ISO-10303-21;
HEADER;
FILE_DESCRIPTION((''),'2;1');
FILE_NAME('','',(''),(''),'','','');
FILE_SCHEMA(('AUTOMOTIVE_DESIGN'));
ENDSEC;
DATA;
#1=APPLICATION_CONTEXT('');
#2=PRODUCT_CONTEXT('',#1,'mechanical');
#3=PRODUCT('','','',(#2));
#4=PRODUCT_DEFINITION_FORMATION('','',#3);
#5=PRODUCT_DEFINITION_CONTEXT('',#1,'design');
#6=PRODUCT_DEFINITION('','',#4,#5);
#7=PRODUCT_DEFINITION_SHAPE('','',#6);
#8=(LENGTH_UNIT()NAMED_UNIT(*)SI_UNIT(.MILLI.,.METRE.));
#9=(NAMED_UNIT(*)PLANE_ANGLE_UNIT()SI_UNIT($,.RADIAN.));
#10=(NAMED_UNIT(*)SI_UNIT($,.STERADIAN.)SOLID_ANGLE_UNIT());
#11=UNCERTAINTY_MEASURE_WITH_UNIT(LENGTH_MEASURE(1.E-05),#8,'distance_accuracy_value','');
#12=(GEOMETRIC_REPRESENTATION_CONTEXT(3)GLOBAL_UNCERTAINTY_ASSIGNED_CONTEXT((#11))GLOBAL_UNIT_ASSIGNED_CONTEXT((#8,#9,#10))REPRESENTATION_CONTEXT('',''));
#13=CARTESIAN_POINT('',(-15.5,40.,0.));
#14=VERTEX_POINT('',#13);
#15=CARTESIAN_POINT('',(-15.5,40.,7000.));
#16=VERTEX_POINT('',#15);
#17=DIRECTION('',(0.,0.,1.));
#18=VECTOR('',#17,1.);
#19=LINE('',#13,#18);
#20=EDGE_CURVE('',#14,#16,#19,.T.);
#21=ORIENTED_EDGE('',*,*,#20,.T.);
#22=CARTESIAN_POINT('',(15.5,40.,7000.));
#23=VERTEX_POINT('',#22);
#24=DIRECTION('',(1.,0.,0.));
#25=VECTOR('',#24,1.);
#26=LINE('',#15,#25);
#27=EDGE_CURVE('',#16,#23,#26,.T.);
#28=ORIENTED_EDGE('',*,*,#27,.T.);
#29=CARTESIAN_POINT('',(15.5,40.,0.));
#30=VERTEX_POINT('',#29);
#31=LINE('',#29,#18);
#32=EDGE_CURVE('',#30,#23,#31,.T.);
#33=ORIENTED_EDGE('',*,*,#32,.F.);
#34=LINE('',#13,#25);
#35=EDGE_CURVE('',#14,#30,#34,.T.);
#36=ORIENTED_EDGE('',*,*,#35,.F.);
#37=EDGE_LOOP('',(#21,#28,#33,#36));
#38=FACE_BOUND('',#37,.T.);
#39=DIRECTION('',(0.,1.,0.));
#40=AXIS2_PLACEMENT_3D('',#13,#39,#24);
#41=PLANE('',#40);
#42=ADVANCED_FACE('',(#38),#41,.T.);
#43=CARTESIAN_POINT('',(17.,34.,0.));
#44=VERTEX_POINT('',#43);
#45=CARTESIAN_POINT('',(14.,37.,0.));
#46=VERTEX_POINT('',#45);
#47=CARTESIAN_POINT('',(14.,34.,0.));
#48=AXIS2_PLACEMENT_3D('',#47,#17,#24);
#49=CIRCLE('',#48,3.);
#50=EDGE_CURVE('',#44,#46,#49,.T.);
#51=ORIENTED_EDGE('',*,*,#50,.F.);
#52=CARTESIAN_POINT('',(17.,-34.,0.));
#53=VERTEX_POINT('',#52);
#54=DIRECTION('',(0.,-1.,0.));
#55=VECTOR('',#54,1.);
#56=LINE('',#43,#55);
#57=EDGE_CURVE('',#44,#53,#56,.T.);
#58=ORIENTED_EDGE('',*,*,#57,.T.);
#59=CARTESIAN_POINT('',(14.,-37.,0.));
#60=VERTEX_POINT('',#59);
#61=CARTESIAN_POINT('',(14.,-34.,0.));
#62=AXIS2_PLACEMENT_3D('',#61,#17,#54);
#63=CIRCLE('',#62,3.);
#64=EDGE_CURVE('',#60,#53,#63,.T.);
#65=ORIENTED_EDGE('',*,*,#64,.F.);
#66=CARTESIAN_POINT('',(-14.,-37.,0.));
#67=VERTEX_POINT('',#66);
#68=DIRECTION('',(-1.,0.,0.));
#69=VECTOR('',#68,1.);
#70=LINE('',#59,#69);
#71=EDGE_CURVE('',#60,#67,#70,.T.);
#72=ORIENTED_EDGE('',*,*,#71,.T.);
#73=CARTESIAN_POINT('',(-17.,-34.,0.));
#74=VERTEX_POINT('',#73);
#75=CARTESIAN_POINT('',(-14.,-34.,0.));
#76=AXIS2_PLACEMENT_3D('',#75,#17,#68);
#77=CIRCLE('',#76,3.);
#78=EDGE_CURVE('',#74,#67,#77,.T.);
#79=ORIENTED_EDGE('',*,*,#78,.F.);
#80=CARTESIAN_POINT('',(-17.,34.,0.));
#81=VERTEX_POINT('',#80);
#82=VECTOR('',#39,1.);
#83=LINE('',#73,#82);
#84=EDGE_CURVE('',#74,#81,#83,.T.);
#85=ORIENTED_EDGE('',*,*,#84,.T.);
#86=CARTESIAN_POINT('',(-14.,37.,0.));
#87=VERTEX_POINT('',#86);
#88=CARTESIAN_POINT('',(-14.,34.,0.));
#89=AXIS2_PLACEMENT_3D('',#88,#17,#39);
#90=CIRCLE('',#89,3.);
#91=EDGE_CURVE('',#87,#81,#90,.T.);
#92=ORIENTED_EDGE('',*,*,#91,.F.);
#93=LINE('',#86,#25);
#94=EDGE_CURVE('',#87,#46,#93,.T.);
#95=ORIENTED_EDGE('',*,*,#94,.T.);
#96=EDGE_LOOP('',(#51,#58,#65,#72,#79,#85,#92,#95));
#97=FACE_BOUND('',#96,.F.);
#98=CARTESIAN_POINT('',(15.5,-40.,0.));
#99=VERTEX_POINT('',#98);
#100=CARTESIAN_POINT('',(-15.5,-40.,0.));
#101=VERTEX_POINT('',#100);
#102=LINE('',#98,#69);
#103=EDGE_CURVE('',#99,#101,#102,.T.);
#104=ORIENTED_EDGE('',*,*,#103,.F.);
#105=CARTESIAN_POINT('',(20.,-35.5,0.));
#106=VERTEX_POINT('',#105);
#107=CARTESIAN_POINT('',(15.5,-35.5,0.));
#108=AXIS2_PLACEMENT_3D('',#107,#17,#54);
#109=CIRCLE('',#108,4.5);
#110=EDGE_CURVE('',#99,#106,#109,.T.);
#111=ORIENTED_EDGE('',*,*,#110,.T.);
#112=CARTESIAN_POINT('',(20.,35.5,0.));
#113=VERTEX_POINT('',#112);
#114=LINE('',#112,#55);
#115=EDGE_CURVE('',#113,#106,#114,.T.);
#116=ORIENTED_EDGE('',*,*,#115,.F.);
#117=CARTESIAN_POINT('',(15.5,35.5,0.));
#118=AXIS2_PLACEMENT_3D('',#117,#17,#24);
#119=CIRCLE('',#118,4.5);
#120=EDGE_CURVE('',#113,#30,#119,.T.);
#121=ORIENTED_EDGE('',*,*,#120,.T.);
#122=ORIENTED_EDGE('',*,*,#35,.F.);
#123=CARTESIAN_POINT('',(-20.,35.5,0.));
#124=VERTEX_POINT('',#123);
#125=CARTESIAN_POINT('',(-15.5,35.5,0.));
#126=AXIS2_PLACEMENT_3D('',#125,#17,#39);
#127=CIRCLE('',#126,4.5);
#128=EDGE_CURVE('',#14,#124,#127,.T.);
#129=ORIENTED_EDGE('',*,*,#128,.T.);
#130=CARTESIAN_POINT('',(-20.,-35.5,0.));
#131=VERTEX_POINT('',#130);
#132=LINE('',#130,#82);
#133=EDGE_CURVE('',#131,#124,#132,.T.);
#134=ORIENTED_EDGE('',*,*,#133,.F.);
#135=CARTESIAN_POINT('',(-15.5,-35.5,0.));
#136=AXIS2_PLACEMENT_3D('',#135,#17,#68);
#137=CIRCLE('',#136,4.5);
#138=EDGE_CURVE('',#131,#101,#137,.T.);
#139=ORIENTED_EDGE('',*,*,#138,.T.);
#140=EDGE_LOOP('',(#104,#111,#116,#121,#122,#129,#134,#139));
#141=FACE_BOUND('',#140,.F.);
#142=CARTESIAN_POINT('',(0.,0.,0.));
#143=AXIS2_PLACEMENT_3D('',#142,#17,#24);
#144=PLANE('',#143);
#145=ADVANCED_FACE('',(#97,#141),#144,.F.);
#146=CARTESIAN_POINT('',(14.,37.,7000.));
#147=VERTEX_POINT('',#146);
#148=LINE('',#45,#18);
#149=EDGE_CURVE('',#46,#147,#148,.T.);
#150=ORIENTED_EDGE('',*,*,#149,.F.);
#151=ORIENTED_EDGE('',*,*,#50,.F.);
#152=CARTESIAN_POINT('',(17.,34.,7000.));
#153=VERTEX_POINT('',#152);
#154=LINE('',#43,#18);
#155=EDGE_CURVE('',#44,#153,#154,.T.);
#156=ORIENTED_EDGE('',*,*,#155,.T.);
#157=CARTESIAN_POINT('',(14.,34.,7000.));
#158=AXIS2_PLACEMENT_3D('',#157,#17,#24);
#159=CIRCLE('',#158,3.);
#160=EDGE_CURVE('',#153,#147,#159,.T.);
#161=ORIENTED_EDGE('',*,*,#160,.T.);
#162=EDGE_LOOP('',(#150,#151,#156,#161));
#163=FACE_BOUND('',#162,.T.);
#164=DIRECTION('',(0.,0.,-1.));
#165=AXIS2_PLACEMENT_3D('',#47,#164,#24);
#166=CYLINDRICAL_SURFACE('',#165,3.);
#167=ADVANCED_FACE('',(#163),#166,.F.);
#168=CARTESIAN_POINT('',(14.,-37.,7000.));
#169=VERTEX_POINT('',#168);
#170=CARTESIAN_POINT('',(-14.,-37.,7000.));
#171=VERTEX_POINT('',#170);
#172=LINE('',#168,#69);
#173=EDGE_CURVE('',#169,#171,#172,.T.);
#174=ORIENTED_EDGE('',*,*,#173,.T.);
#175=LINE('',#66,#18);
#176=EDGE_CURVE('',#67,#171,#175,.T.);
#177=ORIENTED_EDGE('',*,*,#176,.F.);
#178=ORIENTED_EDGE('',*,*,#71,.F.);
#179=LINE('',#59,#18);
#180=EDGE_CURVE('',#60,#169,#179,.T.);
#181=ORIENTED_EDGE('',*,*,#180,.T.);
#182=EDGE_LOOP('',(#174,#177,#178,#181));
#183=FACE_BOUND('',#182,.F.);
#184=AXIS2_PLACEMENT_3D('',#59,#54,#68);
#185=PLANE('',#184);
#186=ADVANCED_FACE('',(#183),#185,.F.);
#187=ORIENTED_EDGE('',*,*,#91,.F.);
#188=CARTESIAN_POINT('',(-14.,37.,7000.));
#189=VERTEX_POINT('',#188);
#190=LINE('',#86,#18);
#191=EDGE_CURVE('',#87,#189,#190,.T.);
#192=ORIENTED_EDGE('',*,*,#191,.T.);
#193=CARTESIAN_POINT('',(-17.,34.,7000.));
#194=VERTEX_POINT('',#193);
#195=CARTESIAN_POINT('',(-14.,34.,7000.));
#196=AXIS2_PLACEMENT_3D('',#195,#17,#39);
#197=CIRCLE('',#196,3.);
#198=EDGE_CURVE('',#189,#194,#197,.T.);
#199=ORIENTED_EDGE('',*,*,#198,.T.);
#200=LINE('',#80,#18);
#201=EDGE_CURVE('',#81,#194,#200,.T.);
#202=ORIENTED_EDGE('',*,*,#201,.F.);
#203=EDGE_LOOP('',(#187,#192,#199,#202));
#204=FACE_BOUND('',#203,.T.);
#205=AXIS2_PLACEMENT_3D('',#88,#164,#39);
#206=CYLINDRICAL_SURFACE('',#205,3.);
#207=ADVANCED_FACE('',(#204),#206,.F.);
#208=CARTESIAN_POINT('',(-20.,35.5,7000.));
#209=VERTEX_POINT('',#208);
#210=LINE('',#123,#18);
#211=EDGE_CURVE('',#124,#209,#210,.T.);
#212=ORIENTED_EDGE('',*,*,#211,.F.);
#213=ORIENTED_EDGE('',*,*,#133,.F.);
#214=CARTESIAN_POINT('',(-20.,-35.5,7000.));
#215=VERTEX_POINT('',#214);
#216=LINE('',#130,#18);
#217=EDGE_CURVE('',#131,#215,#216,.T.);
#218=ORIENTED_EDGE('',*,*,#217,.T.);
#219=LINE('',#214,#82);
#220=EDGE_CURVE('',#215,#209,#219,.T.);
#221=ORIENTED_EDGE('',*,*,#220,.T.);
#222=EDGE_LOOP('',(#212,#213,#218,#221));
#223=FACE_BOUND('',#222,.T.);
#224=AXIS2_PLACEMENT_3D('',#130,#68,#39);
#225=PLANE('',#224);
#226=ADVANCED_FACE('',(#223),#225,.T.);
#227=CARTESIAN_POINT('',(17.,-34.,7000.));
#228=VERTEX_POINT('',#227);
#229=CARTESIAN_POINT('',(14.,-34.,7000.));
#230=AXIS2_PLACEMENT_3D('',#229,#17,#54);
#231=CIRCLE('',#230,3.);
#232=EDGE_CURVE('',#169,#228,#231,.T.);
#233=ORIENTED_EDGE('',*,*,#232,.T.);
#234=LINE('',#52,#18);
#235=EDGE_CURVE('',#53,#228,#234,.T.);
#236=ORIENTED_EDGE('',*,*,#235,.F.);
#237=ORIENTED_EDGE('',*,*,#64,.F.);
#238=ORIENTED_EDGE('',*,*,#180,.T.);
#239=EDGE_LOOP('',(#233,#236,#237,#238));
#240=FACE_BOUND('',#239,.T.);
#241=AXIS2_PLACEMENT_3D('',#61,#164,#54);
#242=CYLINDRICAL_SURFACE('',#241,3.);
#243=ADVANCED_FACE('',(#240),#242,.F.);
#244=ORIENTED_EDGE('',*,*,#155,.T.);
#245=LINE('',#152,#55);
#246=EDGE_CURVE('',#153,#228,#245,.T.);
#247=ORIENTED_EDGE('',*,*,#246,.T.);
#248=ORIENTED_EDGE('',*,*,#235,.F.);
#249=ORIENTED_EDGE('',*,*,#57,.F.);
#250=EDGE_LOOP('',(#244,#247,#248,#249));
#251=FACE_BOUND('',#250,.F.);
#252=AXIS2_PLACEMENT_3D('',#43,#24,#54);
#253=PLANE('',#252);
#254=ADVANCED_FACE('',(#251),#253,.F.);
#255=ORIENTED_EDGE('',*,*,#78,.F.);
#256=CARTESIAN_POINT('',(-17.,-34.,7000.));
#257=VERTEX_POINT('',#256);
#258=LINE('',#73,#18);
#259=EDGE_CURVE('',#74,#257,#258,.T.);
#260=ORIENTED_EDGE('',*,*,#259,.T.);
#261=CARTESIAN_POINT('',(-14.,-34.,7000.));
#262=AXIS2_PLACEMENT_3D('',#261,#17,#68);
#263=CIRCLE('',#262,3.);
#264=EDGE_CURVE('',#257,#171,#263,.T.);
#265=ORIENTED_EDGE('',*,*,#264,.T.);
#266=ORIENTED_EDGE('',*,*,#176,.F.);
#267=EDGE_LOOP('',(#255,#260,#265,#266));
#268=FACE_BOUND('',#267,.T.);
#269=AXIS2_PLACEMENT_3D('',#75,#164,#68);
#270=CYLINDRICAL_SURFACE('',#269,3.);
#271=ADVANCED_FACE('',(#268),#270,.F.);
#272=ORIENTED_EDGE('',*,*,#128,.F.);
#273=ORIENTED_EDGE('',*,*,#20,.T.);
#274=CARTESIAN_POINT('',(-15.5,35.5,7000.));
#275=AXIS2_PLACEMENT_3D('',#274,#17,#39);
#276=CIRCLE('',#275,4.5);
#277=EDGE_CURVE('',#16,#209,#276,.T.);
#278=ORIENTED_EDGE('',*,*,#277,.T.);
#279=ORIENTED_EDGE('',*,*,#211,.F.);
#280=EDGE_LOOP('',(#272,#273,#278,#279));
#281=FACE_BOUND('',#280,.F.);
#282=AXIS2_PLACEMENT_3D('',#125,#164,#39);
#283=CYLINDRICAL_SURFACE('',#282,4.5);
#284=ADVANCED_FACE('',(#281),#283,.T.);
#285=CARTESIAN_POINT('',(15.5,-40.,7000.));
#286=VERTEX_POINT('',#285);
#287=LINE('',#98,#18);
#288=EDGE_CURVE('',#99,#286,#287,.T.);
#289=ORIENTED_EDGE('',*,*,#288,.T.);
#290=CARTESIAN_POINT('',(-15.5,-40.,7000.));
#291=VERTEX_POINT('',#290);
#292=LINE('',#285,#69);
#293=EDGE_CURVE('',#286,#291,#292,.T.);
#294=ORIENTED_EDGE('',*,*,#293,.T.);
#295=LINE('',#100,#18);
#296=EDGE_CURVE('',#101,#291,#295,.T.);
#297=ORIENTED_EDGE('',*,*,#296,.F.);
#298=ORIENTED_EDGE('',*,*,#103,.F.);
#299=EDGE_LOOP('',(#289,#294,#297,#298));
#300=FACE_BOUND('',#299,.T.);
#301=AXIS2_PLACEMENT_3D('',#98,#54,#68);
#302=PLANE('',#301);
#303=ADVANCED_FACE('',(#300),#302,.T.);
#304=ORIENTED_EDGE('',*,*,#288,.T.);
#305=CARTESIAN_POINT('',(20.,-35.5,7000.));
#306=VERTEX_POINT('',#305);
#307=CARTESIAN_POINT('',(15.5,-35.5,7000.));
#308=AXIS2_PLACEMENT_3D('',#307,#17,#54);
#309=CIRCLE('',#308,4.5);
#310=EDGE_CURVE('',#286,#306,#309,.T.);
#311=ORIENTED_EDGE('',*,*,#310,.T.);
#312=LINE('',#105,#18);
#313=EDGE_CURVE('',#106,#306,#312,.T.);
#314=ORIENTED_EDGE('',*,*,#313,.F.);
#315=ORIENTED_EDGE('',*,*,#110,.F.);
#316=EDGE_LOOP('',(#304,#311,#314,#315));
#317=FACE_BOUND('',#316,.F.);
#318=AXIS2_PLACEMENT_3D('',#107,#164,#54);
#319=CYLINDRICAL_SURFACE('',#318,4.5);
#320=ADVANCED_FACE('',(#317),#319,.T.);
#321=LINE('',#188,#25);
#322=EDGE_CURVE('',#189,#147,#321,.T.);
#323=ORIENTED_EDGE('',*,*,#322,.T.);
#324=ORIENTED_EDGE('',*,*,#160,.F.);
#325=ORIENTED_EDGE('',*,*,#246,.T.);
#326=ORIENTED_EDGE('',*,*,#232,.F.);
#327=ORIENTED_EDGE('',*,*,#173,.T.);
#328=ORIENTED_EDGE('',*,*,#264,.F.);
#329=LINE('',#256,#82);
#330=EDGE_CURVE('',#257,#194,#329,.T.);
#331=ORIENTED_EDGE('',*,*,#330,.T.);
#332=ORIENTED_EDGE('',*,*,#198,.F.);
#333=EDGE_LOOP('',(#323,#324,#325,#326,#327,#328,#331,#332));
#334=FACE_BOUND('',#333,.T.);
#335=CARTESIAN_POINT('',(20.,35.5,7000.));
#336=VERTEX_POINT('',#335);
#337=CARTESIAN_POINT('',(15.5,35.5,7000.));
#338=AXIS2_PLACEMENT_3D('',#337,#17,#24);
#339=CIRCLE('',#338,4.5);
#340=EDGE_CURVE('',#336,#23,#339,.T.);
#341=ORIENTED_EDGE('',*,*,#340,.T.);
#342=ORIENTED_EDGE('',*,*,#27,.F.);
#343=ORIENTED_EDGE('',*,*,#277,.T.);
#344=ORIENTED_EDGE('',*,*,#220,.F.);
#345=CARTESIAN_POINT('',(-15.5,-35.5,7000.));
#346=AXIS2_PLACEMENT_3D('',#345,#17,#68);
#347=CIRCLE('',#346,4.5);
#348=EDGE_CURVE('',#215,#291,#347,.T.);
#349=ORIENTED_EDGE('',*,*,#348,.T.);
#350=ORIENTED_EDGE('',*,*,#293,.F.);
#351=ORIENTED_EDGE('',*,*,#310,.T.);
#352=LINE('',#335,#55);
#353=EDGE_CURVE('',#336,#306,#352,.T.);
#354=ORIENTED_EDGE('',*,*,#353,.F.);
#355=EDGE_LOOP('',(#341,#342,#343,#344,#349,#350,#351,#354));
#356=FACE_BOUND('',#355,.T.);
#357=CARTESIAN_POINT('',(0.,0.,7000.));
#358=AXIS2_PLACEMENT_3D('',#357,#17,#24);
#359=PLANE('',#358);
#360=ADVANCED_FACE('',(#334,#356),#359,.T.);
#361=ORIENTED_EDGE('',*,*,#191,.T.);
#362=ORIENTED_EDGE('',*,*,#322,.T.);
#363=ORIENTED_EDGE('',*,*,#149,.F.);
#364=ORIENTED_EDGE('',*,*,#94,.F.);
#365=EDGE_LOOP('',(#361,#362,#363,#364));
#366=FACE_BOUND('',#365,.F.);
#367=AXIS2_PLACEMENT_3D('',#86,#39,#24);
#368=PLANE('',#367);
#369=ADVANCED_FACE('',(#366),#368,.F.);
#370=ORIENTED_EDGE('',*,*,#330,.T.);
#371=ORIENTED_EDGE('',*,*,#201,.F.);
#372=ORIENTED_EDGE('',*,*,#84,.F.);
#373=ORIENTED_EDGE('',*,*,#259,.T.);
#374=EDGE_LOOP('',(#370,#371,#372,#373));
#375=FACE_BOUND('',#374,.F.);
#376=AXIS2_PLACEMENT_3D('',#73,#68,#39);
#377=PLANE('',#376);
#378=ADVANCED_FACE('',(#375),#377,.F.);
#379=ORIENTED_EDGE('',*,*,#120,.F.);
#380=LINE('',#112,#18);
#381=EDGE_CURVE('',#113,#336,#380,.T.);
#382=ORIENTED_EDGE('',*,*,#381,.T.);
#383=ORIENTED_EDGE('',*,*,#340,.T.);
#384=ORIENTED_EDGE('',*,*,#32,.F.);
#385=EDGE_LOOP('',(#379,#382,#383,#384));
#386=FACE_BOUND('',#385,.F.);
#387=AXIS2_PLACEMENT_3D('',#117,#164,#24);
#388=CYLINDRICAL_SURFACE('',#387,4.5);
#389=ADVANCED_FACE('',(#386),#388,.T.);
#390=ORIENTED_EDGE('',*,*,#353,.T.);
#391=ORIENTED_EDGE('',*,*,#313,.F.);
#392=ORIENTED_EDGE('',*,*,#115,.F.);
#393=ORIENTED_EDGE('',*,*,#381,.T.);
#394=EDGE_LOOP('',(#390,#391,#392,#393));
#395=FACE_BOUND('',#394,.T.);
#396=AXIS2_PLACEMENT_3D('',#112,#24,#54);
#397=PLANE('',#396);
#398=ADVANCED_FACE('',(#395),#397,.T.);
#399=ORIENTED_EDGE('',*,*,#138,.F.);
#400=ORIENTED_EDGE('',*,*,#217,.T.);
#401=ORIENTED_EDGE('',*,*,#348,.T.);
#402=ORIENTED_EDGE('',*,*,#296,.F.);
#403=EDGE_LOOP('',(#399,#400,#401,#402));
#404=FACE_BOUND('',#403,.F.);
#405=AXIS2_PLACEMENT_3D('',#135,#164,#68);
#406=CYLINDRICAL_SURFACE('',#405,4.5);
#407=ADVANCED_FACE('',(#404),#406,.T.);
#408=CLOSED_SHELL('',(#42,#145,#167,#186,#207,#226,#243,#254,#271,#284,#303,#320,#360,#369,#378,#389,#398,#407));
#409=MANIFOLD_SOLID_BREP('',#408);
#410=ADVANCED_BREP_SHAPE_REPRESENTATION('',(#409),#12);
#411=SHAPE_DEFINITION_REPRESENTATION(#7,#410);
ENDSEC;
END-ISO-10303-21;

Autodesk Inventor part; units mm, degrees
ref_plane "YZ Plane" through (0, 0, 0) normal (1, 0, 0) x (0, 1, 0)
ref_plane "Start plane" through (0, 0, 0) normal (0, 0, 1) x (1, 0, 0)
ref_plane "End plane" through (0, 0, 7000) normal (0, 0, 1) x (1, 0, 0)
sketch "Sketch" plane through (0, 0, 0) normal (0, 0, 1) x (1, 0, 0)
  line L0 (-20, -35.5) -> (-20, 35.5)
  line L1 (-15.5, 40) -> (15.5, 40)
  line L2 (20, 35.5) -> (20, -35.5)
  line L3 (15.5, -40) -> (-15.5, -40)
  arc A0 (-20, -35.5) -> (-15.5, -40) centre (-15.5, -35.5) ccw
  arc A1 (-15.5, 40) -> (-20, 35.5) centre (-15.5, 35.5) ccw
  arc A2 (20, 35.5) -> (15.5, 40) centre (15.5, 35.5) ccw
  arc A3 (15.5, -40) -> (20, -35.5) centre (15.5, -35.5) ccw
  line L4 (-14, 37) -> (14, 37)
  line L5 (17, 34) -> (17, -34)
  line L6 (14, -37) -> (-14, -37)
  line L7 (-17, -34) -> (-17, 34)
  line L8 (0, 37.1021) -> (0, -37.1021) construction
  line L9 (-23.1021, 0) -> (23.1021, 0) construction
  arc A4 (-17, -34) -> (-14, -37) centre (-14, -34) ccw
  arc A5 (-14, 37) -> (-17, 34) centre (-14, 34) ccw
  arc A6 (17, 34) -> (14, 37) centre (14, 34) ccw
  arc A7 (14, -37) -> (17, -34) centre (14, -34) ccw
  dimension "d7" = 4.5
  dimension "d10" = 80
  dimension "d11" = 40
  dimension "d12" = 3
  dimension "d15" = 40
  dimension "d16" = 20
  dimension "d19" = 3
  dimension "d20" = 3
extrude "Body" add sketch "Sketch" along normal up to surface (7000 mm away) from surface at 0
sketch "Sketch3" plane through (0, 0, 0) normal (0, 0, 1) x (1, 0, 0)
  line L0 (0, 0) -> (10, 0)
ref_plane "Work Plane3" through (0, 0, 0) normal (0, -1, 0) x (1, 0, 0)
sketch "Sketch4" plane through (0, 0, 0) normal (0, -1, 0) x (1, 0, 0)
  line L0 (-2, 0) -> (12, 0) projected
  line L1 (-2, 7000) -> (12, 7000) projected
  dimension "d18" = 7000
equation "\"d7\" = G_IR"
equation "\"d10\" = G_H"
equation "\"d11\" = G_W"
equation "\"d12\" = G_T"
equation "\"d15\" = 0.5 * d10"
equation "\"d16\" = 0.5 * d11"
equation "\"d19\" = G_T"
equation "\"d20\" = G_T"
equation "\"d3\" = G_L"
equation "\"G_W\" = 40"
equation "\"G_H\" = 80"
equation "\"G_T\" = 3"
equation "\"G_IR\" = 4.5"
equation "\"G_L\" = d18"
equation "\"G_OFFSET_START\" = 0"
equation "\"G_OFFSET_END\" = 0"
properties part number "DIN EN 10210-2 - 80 x 40 x 3 - 7000" material "Steel, Mild"
